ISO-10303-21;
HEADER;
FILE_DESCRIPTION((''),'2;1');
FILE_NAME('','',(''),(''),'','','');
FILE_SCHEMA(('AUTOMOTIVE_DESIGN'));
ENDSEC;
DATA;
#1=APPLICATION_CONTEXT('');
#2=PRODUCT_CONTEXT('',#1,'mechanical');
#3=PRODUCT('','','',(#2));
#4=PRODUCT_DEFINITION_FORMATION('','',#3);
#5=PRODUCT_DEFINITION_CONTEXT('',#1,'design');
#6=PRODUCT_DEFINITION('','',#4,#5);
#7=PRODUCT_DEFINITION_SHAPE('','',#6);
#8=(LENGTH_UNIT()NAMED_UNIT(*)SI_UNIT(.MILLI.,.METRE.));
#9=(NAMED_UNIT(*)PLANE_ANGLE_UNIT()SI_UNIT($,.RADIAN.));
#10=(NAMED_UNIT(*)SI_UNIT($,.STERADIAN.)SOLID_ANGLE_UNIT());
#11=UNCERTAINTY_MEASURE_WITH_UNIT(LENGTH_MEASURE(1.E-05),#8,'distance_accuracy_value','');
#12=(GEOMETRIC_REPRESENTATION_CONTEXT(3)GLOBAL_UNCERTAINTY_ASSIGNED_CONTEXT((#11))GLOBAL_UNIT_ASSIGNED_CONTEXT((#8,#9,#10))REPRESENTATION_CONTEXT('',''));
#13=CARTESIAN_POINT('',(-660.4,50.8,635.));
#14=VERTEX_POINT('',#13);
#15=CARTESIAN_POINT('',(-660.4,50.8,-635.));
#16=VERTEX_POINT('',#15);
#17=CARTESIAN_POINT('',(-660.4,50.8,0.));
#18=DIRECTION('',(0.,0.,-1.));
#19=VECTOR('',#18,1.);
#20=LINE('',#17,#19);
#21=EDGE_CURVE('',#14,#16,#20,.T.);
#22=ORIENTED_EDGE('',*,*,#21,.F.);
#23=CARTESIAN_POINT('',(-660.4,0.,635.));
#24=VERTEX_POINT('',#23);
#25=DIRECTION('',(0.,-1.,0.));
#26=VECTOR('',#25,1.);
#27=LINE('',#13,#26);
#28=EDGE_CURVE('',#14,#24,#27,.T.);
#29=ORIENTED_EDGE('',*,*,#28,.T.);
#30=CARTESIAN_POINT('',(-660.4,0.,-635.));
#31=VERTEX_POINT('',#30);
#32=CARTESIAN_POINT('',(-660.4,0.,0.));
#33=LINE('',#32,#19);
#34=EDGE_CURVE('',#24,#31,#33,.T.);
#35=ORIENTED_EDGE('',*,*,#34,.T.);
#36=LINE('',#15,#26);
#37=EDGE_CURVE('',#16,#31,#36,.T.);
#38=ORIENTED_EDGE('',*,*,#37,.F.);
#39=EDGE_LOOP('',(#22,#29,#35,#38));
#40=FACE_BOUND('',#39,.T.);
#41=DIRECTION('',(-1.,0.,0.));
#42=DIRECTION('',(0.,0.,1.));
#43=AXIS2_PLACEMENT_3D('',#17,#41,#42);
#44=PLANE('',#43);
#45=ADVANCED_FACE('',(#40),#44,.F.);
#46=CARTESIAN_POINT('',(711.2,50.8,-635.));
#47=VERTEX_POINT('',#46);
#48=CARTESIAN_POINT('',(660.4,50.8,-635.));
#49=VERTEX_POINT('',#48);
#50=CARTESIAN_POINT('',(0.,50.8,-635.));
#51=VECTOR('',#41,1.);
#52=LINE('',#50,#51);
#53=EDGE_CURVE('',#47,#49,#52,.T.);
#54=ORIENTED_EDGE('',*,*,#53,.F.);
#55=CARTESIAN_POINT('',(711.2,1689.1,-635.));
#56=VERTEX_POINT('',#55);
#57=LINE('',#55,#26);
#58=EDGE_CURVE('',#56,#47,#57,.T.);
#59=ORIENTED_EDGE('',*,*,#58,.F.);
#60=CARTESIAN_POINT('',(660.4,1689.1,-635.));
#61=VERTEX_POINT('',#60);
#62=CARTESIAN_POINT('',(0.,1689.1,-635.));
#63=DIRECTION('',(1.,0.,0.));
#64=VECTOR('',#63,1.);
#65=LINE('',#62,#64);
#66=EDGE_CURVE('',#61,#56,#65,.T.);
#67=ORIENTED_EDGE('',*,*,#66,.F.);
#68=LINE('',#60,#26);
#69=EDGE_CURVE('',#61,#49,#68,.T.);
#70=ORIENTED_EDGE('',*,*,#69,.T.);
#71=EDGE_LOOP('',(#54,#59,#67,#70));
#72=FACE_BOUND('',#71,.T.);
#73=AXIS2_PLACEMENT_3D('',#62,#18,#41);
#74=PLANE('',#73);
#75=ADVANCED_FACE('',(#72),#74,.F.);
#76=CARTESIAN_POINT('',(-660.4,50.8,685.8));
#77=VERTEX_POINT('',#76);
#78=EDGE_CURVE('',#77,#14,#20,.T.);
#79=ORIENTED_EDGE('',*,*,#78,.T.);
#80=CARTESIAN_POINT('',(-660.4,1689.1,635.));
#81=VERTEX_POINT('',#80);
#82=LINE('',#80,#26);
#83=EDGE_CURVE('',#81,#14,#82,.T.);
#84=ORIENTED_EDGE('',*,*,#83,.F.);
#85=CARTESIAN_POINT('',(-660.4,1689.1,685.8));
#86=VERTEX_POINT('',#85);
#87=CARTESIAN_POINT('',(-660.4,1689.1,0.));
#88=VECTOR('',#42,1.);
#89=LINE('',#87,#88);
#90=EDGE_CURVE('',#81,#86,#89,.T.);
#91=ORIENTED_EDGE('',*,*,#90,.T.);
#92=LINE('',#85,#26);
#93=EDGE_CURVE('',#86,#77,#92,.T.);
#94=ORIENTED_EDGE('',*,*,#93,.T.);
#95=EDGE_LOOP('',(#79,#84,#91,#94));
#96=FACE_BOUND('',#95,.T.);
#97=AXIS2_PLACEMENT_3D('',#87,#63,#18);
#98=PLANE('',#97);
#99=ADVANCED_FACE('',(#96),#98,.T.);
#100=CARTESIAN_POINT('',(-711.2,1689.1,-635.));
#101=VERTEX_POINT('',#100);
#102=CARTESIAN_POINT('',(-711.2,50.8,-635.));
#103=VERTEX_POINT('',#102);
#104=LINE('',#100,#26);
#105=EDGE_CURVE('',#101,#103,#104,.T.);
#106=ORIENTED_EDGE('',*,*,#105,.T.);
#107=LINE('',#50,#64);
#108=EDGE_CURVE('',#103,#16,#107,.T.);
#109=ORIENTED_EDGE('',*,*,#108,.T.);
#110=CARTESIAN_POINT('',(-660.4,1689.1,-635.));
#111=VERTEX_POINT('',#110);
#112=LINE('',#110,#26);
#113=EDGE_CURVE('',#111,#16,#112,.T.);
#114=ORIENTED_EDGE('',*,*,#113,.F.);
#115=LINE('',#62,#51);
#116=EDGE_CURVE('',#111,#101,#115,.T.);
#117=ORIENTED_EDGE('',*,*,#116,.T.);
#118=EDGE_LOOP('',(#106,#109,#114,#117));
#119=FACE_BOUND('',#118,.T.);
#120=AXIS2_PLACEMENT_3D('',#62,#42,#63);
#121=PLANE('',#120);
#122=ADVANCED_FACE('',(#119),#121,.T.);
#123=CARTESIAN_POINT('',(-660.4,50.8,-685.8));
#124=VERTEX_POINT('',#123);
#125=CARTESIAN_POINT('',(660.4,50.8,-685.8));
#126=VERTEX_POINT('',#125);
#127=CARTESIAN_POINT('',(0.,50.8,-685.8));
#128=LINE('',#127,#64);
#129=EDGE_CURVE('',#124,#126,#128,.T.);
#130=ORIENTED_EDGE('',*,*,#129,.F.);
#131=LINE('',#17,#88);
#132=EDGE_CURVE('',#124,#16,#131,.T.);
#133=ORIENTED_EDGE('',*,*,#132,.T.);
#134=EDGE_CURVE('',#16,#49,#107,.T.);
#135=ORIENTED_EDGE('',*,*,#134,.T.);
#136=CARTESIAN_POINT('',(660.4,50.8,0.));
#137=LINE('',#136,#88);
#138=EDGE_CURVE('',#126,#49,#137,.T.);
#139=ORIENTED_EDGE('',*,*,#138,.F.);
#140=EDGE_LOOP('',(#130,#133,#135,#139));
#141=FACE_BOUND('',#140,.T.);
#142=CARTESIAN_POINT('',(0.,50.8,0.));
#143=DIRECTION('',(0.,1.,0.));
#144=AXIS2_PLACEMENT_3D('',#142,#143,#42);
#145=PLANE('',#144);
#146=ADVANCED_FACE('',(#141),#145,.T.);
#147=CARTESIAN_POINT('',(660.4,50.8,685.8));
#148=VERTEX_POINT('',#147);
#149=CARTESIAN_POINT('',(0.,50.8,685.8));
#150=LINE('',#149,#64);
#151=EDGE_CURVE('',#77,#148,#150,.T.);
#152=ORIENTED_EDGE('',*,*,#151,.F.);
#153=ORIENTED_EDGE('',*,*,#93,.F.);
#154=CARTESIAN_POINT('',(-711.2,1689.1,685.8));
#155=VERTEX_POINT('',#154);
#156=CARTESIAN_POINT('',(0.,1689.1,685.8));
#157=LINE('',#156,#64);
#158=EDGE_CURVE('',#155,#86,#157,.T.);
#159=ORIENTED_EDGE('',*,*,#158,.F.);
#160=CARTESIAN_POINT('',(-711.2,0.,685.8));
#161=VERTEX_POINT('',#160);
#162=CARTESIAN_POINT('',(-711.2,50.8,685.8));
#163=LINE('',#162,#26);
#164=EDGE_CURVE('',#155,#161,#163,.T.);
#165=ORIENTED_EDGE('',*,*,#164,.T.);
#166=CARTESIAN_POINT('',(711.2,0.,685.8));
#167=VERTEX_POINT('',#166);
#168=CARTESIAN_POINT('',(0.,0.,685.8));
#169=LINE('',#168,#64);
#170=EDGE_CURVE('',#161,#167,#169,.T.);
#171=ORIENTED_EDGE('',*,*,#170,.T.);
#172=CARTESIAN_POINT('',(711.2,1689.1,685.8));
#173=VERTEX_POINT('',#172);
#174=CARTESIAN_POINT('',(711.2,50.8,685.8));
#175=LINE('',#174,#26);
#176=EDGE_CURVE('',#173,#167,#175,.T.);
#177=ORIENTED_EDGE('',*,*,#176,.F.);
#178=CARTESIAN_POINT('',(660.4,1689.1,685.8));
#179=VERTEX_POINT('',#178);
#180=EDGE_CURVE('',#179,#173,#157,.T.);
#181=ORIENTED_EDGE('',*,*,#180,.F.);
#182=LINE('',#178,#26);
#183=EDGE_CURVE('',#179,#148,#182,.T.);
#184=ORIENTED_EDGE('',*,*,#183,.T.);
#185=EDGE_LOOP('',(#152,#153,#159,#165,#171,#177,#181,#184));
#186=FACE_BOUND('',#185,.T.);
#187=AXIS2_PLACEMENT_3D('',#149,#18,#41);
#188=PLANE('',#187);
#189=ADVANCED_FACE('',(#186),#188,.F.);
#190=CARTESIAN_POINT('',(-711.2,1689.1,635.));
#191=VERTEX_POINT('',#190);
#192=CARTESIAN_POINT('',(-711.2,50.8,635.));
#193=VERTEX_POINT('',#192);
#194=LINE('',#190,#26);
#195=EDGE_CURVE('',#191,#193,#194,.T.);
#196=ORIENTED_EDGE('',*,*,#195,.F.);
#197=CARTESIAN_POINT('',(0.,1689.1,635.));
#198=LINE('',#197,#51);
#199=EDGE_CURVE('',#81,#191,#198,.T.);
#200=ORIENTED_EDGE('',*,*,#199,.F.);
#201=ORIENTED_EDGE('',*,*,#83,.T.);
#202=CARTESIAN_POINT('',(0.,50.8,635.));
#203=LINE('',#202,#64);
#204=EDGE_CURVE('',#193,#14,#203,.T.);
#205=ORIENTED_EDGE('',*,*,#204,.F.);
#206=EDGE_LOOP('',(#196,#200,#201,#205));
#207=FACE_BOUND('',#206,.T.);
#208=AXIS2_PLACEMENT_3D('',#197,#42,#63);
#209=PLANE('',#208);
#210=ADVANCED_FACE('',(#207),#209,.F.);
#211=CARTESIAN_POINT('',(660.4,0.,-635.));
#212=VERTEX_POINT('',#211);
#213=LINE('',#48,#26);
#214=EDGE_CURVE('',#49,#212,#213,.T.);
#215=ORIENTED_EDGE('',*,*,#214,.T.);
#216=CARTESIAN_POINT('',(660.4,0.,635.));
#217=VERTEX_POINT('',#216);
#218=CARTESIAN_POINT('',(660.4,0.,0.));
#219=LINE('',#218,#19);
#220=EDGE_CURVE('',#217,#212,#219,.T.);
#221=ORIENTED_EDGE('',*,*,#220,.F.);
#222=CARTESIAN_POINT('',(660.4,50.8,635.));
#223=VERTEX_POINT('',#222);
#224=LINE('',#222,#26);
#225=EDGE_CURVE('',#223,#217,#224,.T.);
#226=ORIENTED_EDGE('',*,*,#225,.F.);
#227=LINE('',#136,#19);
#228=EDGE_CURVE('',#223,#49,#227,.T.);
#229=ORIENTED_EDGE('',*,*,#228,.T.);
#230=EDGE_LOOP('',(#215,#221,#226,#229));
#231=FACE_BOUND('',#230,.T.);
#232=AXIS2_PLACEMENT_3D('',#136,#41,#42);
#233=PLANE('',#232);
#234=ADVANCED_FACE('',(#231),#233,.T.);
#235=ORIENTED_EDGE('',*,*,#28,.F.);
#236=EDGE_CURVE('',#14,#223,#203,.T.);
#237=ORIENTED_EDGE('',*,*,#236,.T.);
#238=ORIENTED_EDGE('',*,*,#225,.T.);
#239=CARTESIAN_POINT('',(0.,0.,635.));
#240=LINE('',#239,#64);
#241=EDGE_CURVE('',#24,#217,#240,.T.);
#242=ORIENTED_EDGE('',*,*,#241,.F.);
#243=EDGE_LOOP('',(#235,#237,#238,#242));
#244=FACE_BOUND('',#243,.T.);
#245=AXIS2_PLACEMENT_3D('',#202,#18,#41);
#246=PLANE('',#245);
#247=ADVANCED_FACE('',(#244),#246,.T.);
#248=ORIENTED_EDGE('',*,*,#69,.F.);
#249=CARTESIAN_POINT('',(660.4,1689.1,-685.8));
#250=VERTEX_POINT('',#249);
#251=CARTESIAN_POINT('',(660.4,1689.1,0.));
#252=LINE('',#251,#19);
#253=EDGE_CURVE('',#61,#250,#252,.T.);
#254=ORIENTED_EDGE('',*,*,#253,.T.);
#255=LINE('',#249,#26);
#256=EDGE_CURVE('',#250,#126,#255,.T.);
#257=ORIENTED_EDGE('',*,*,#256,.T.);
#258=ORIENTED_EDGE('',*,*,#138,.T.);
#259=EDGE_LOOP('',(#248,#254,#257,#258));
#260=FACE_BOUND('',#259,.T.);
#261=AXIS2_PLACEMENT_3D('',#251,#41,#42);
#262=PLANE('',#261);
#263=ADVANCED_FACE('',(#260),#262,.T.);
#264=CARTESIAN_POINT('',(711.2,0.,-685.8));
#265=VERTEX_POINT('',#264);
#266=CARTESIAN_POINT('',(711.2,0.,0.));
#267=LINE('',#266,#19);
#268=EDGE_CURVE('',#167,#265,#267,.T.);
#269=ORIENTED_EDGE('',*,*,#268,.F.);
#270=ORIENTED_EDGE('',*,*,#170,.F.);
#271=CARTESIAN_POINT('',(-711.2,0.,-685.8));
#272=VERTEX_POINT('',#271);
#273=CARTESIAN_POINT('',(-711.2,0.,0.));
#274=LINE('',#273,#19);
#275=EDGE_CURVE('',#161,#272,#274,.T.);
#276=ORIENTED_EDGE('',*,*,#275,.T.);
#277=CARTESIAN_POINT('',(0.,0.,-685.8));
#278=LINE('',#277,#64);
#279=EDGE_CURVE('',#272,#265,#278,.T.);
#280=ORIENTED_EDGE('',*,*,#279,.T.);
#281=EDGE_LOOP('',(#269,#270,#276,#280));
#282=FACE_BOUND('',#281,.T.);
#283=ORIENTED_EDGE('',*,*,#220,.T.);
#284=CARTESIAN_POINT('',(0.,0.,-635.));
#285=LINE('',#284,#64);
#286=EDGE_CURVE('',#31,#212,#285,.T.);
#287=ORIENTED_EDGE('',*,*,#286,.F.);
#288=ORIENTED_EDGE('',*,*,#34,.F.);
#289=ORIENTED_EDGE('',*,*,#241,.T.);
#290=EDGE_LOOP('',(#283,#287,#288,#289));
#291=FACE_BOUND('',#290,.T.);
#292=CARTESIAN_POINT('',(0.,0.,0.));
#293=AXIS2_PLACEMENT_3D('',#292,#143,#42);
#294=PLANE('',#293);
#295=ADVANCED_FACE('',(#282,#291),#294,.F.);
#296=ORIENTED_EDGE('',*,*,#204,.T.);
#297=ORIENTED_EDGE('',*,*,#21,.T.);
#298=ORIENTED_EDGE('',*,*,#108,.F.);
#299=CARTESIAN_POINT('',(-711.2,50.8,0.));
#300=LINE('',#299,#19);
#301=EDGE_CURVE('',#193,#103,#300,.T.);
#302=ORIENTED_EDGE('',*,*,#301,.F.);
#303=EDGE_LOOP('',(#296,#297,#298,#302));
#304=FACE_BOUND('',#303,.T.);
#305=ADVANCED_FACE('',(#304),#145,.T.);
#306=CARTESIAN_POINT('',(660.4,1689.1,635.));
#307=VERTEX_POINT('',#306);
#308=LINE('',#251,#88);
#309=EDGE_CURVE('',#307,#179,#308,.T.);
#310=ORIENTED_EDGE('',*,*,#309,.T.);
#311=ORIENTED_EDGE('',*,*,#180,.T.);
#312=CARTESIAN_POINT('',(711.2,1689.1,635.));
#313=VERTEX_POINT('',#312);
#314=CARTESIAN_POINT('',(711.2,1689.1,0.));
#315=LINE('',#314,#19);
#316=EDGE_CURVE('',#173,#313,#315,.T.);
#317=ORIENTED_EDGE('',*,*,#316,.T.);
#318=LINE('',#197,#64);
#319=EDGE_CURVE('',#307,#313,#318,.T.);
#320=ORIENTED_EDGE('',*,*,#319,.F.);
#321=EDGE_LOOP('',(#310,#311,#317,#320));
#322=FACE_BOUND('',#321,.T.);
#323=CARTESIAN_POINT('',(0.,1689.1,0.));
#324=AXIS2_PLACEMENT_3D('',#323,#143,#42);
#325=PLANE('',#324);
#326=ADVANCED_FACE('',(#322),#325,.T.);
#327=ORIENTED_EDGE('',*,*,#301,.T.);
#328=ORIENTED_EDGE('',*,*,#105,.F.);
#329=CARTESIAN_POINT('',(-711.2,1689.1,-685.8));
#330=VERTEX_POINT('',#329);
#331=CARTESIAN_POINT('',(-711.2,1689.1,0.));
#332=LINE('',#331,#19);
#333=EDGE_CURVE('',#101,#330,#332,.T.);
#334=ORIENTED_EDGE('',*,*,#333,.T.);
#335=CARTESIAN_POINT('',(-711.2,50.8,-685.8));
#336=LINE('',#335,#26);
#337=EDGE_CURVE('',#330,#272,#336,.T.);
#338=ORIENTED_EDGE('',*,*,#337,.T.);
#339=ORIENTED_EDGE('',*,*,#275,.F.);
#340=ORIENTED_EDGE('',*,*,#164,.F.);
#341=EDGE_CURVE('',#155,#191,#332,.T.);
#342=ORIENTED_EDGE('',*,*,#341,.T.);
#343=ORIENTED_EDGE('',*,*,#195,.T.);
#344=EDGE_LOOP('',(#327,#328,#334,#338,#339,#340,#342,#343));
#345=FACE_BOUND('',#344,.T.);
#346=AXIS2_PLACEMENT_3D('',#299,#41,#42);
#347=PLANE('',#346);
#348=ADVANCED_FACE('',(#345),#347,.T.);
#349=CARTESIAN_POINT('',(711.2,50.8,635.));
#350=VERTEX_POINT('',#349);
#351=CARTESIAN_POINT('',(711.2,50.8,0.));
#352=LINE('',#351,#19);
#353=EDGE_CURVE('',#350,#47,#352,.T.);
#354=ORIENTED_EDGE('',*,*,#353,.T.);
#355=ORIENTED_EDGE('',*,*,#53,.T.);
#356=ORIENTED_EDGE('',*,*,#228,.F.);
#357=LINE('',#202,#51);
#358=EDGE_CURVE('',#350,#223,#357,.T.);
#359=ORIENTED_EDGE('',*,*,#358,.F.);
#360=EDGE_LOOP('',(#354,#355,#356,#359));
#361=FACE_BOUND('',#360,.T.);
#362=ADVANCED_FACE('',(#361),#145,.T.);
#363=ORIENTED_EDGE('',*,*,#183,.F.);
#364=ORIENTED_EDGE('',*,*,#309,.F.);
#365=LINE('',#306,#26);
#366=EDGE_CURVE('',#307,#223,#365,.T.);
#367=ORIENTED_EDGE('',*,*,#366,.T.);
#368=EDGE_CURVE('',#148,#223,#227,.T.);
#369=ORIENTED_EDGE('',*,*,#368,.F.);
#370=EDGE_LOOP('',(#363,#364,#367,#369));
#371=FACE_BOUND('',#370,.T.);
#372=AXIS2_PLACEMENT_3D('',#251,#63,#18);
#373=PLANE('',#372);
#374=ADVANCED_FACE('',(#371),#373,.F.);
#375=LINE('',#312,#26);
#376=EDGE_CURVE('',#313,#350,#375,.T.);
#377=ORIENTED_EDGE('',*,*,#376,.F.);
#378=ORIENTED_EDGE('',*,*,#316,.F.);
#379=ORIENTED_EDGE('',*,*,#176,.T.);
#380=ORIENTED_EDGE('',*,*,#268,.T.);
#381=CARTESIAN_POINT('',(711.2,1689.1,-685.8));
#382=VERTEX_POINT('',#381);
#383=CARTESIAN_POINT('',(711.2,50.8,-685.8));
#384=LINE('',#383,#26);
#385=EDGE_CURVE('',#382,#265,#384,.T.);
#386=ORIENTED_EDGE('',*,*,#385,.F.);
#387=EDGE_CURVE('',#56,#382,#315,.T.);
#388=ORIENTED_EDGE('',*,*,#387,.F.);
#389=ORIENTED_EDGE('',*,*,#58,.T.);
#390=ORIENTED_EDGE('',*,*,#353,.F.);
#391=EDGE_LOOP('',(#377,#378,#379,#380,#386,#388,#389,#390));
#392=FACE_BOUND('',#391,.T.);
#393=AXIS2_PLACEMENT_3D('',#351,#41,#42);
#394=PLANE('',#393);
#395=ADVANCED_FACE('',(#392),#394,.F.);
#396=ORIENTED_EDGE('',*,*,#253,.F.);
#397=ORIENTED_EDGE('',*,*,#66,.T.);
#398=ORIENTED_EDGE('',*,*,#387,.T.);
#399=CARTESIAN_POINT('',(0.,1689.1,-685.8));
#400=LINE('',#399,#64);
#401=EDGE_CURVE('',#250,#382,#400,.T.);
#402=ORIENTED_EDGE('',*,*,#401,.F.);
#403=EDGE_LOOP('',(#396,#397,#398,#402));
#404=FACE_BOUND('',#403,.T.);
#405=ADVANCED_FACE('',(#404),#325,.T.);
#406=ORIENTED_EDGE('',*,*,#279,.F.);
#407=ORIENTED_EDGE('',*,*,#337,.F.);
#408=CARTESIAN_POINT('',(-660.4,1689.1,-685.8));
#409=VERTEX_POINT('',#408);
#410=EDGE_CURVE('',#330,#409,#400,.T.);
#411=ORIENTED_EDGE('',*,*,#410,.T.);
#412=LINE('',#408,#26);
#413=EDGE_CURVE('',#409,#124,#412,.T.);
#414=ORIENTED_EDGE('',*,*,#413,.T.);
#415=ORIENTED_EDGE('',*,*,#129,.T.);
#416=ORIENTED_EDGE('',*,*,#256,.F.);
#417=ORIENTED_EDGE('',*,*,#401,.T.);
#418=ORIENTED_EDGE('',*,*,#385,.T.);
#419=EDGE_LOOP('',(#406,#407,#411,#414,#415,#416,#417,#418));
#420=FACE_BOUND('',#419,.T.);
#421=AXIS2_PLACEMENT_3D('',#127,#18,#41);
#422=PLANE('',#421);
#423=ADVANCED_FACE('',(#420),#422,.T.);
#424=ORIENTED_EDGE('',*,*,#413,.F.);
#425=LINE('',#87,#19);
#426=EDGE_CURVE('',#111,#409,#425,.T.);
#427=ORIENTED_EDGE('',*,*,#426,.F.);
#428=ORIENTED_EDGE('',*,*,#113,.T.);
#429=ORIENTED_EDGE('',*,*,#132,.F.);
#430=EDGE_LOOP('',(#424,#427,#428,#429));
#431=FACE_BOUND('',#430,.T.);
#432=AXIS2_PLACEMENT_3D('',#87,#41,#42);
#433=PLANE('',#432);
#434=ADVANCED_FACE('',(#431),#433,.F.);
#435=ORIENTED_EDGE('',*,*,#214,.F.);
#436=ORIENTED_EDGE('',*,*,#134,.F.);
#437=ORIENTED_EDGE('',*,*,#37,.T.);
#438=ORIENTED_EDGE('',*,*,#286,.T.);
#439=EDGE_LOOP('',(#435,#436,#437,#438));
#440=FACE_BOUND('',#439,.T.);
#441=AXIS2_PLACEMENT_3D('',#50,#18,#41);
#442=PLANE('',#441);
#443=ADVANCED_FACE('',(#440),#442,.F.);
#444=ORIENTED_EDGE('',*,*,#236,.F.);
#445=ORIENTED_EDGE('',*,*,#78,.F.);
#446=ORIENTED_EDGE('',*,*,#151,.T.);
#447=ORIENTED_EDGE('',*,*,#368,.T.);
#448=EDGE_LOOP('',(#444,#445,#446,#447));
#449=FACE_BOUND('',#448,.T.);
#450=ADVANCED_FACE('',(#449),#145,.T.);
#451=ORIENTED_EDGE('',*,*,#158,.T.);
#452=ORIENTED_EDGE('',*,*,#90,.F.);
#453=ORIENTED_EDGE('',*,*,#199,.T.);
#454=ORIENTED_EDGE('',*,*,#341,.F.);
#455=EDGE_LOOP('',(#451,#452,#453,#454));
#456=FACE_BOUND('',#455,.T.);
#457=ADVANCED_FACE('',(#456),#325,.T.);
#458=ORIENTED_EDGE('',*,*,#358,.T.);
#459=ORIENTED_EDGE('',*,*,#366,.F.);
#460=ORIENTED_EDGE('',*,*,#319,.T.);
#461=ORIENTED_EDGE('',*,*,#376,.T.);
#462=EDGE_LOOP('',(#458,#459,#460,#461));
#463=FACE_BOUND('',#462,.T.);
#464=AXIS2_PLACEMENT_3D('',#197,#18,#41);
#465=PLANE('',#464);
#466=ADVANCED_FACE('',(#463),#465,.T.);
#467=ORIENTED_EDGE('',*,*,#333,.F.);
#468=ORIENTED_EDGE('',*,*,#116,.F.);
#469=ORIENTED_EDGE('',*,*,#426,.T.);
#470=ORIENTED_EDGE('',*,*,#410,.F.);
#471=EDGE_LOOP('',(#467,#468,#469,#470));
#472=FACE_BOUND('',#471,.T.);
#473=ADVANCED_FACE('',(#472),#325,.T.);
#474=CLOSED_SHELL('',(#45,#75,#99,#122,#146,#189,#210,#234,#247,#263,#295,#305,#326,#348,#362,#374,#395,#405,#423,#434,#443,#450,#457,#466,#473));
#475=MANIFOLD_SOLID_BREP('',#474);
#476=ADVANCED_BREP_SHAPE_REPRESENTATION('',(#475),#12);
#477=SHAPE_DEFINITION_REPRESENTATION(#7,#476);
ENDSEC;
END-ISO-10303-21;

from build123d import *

# Parameters (mm, degrees)
SKETCH1_W           = 1320.8
SKETCH1_H           = 50.8
SKETCH1_W_2         = 50.8
SKETCH1_H_2         = 1270
BOSS_EXTRUDE1_DEPTH = 50.8
SKETCH1_3_W         = 50.8
SKETCH1_3_H         = 50.8
BOSS_EXTRUDE2_DEPTH = 1689.1


with BuildPart() as part:
    # Sketch1 → Boss-Extrude1 (new body)
    with BuildSketch(Plane(origin=(0, 0, 0), x_dir=(1, 0, 0), z_dir=(0, 1, 0))):
        with Locations((0, 660.4)):
            Rectangle(SKETCH1_W, SKETCH1_H)
        with Locations((-685.8, 0)):
            Rectangle(SKETCH1_W_2, SKETCH1_H_2)
        with Locations((-685.8, 660.4)):
            Rectangle(SKETCH1_W_2, SKETCH1_H)
        with Locations((-685.8, -660.4)):
            Rectangle(SKETCH1_W_2, SKETCH1_H)
        with Locations((0, -660.4)):
            Rectangle(SKETCH1_W, SKETCH1_H)
        with Locations((685.8, -660.4)):
            Rectangle(SKETCH1_W_2, SKETCH1_H)
        with Locations((685.8, 0)):
            Rectangle(SKETCH1_W_2, SKETCH1_H_2)
        with Locations((685.8, 660.4)):
            Rectangle(SKETCH1_W_2, SKETCH1_H)
    extrude(amount=BOSS_EXTRUDE1_DEPTH)

    # Sketch1<3> → Boss-Extrude2 (add)
    with BuildSketch(Plane(origin=(0, 0, 0), x_dir=(1, 0, 0), z_dir=(0, 1, 0))):
        with Locations((-685.8, -660.4)):
            Rectangle(SKETCH1_3_W, SKETCH1_3_H)
        with Locations((-685.8, 660.4)):
            Rectangle(SKETCH1_3_W, SKETCH1_3_H)
        with Locations((685.8, 660.4)):
            Rectangle(SKETCH1_3_W, SKETCH1_3_H)
        with Locations((685.8, -660.4)):
            Rectangle(SKETCH1_3_W, SKETCH1_3_H)
    extrude(amount=BOSS_EXTRUDE2_DEPTH)


solid = part.part
